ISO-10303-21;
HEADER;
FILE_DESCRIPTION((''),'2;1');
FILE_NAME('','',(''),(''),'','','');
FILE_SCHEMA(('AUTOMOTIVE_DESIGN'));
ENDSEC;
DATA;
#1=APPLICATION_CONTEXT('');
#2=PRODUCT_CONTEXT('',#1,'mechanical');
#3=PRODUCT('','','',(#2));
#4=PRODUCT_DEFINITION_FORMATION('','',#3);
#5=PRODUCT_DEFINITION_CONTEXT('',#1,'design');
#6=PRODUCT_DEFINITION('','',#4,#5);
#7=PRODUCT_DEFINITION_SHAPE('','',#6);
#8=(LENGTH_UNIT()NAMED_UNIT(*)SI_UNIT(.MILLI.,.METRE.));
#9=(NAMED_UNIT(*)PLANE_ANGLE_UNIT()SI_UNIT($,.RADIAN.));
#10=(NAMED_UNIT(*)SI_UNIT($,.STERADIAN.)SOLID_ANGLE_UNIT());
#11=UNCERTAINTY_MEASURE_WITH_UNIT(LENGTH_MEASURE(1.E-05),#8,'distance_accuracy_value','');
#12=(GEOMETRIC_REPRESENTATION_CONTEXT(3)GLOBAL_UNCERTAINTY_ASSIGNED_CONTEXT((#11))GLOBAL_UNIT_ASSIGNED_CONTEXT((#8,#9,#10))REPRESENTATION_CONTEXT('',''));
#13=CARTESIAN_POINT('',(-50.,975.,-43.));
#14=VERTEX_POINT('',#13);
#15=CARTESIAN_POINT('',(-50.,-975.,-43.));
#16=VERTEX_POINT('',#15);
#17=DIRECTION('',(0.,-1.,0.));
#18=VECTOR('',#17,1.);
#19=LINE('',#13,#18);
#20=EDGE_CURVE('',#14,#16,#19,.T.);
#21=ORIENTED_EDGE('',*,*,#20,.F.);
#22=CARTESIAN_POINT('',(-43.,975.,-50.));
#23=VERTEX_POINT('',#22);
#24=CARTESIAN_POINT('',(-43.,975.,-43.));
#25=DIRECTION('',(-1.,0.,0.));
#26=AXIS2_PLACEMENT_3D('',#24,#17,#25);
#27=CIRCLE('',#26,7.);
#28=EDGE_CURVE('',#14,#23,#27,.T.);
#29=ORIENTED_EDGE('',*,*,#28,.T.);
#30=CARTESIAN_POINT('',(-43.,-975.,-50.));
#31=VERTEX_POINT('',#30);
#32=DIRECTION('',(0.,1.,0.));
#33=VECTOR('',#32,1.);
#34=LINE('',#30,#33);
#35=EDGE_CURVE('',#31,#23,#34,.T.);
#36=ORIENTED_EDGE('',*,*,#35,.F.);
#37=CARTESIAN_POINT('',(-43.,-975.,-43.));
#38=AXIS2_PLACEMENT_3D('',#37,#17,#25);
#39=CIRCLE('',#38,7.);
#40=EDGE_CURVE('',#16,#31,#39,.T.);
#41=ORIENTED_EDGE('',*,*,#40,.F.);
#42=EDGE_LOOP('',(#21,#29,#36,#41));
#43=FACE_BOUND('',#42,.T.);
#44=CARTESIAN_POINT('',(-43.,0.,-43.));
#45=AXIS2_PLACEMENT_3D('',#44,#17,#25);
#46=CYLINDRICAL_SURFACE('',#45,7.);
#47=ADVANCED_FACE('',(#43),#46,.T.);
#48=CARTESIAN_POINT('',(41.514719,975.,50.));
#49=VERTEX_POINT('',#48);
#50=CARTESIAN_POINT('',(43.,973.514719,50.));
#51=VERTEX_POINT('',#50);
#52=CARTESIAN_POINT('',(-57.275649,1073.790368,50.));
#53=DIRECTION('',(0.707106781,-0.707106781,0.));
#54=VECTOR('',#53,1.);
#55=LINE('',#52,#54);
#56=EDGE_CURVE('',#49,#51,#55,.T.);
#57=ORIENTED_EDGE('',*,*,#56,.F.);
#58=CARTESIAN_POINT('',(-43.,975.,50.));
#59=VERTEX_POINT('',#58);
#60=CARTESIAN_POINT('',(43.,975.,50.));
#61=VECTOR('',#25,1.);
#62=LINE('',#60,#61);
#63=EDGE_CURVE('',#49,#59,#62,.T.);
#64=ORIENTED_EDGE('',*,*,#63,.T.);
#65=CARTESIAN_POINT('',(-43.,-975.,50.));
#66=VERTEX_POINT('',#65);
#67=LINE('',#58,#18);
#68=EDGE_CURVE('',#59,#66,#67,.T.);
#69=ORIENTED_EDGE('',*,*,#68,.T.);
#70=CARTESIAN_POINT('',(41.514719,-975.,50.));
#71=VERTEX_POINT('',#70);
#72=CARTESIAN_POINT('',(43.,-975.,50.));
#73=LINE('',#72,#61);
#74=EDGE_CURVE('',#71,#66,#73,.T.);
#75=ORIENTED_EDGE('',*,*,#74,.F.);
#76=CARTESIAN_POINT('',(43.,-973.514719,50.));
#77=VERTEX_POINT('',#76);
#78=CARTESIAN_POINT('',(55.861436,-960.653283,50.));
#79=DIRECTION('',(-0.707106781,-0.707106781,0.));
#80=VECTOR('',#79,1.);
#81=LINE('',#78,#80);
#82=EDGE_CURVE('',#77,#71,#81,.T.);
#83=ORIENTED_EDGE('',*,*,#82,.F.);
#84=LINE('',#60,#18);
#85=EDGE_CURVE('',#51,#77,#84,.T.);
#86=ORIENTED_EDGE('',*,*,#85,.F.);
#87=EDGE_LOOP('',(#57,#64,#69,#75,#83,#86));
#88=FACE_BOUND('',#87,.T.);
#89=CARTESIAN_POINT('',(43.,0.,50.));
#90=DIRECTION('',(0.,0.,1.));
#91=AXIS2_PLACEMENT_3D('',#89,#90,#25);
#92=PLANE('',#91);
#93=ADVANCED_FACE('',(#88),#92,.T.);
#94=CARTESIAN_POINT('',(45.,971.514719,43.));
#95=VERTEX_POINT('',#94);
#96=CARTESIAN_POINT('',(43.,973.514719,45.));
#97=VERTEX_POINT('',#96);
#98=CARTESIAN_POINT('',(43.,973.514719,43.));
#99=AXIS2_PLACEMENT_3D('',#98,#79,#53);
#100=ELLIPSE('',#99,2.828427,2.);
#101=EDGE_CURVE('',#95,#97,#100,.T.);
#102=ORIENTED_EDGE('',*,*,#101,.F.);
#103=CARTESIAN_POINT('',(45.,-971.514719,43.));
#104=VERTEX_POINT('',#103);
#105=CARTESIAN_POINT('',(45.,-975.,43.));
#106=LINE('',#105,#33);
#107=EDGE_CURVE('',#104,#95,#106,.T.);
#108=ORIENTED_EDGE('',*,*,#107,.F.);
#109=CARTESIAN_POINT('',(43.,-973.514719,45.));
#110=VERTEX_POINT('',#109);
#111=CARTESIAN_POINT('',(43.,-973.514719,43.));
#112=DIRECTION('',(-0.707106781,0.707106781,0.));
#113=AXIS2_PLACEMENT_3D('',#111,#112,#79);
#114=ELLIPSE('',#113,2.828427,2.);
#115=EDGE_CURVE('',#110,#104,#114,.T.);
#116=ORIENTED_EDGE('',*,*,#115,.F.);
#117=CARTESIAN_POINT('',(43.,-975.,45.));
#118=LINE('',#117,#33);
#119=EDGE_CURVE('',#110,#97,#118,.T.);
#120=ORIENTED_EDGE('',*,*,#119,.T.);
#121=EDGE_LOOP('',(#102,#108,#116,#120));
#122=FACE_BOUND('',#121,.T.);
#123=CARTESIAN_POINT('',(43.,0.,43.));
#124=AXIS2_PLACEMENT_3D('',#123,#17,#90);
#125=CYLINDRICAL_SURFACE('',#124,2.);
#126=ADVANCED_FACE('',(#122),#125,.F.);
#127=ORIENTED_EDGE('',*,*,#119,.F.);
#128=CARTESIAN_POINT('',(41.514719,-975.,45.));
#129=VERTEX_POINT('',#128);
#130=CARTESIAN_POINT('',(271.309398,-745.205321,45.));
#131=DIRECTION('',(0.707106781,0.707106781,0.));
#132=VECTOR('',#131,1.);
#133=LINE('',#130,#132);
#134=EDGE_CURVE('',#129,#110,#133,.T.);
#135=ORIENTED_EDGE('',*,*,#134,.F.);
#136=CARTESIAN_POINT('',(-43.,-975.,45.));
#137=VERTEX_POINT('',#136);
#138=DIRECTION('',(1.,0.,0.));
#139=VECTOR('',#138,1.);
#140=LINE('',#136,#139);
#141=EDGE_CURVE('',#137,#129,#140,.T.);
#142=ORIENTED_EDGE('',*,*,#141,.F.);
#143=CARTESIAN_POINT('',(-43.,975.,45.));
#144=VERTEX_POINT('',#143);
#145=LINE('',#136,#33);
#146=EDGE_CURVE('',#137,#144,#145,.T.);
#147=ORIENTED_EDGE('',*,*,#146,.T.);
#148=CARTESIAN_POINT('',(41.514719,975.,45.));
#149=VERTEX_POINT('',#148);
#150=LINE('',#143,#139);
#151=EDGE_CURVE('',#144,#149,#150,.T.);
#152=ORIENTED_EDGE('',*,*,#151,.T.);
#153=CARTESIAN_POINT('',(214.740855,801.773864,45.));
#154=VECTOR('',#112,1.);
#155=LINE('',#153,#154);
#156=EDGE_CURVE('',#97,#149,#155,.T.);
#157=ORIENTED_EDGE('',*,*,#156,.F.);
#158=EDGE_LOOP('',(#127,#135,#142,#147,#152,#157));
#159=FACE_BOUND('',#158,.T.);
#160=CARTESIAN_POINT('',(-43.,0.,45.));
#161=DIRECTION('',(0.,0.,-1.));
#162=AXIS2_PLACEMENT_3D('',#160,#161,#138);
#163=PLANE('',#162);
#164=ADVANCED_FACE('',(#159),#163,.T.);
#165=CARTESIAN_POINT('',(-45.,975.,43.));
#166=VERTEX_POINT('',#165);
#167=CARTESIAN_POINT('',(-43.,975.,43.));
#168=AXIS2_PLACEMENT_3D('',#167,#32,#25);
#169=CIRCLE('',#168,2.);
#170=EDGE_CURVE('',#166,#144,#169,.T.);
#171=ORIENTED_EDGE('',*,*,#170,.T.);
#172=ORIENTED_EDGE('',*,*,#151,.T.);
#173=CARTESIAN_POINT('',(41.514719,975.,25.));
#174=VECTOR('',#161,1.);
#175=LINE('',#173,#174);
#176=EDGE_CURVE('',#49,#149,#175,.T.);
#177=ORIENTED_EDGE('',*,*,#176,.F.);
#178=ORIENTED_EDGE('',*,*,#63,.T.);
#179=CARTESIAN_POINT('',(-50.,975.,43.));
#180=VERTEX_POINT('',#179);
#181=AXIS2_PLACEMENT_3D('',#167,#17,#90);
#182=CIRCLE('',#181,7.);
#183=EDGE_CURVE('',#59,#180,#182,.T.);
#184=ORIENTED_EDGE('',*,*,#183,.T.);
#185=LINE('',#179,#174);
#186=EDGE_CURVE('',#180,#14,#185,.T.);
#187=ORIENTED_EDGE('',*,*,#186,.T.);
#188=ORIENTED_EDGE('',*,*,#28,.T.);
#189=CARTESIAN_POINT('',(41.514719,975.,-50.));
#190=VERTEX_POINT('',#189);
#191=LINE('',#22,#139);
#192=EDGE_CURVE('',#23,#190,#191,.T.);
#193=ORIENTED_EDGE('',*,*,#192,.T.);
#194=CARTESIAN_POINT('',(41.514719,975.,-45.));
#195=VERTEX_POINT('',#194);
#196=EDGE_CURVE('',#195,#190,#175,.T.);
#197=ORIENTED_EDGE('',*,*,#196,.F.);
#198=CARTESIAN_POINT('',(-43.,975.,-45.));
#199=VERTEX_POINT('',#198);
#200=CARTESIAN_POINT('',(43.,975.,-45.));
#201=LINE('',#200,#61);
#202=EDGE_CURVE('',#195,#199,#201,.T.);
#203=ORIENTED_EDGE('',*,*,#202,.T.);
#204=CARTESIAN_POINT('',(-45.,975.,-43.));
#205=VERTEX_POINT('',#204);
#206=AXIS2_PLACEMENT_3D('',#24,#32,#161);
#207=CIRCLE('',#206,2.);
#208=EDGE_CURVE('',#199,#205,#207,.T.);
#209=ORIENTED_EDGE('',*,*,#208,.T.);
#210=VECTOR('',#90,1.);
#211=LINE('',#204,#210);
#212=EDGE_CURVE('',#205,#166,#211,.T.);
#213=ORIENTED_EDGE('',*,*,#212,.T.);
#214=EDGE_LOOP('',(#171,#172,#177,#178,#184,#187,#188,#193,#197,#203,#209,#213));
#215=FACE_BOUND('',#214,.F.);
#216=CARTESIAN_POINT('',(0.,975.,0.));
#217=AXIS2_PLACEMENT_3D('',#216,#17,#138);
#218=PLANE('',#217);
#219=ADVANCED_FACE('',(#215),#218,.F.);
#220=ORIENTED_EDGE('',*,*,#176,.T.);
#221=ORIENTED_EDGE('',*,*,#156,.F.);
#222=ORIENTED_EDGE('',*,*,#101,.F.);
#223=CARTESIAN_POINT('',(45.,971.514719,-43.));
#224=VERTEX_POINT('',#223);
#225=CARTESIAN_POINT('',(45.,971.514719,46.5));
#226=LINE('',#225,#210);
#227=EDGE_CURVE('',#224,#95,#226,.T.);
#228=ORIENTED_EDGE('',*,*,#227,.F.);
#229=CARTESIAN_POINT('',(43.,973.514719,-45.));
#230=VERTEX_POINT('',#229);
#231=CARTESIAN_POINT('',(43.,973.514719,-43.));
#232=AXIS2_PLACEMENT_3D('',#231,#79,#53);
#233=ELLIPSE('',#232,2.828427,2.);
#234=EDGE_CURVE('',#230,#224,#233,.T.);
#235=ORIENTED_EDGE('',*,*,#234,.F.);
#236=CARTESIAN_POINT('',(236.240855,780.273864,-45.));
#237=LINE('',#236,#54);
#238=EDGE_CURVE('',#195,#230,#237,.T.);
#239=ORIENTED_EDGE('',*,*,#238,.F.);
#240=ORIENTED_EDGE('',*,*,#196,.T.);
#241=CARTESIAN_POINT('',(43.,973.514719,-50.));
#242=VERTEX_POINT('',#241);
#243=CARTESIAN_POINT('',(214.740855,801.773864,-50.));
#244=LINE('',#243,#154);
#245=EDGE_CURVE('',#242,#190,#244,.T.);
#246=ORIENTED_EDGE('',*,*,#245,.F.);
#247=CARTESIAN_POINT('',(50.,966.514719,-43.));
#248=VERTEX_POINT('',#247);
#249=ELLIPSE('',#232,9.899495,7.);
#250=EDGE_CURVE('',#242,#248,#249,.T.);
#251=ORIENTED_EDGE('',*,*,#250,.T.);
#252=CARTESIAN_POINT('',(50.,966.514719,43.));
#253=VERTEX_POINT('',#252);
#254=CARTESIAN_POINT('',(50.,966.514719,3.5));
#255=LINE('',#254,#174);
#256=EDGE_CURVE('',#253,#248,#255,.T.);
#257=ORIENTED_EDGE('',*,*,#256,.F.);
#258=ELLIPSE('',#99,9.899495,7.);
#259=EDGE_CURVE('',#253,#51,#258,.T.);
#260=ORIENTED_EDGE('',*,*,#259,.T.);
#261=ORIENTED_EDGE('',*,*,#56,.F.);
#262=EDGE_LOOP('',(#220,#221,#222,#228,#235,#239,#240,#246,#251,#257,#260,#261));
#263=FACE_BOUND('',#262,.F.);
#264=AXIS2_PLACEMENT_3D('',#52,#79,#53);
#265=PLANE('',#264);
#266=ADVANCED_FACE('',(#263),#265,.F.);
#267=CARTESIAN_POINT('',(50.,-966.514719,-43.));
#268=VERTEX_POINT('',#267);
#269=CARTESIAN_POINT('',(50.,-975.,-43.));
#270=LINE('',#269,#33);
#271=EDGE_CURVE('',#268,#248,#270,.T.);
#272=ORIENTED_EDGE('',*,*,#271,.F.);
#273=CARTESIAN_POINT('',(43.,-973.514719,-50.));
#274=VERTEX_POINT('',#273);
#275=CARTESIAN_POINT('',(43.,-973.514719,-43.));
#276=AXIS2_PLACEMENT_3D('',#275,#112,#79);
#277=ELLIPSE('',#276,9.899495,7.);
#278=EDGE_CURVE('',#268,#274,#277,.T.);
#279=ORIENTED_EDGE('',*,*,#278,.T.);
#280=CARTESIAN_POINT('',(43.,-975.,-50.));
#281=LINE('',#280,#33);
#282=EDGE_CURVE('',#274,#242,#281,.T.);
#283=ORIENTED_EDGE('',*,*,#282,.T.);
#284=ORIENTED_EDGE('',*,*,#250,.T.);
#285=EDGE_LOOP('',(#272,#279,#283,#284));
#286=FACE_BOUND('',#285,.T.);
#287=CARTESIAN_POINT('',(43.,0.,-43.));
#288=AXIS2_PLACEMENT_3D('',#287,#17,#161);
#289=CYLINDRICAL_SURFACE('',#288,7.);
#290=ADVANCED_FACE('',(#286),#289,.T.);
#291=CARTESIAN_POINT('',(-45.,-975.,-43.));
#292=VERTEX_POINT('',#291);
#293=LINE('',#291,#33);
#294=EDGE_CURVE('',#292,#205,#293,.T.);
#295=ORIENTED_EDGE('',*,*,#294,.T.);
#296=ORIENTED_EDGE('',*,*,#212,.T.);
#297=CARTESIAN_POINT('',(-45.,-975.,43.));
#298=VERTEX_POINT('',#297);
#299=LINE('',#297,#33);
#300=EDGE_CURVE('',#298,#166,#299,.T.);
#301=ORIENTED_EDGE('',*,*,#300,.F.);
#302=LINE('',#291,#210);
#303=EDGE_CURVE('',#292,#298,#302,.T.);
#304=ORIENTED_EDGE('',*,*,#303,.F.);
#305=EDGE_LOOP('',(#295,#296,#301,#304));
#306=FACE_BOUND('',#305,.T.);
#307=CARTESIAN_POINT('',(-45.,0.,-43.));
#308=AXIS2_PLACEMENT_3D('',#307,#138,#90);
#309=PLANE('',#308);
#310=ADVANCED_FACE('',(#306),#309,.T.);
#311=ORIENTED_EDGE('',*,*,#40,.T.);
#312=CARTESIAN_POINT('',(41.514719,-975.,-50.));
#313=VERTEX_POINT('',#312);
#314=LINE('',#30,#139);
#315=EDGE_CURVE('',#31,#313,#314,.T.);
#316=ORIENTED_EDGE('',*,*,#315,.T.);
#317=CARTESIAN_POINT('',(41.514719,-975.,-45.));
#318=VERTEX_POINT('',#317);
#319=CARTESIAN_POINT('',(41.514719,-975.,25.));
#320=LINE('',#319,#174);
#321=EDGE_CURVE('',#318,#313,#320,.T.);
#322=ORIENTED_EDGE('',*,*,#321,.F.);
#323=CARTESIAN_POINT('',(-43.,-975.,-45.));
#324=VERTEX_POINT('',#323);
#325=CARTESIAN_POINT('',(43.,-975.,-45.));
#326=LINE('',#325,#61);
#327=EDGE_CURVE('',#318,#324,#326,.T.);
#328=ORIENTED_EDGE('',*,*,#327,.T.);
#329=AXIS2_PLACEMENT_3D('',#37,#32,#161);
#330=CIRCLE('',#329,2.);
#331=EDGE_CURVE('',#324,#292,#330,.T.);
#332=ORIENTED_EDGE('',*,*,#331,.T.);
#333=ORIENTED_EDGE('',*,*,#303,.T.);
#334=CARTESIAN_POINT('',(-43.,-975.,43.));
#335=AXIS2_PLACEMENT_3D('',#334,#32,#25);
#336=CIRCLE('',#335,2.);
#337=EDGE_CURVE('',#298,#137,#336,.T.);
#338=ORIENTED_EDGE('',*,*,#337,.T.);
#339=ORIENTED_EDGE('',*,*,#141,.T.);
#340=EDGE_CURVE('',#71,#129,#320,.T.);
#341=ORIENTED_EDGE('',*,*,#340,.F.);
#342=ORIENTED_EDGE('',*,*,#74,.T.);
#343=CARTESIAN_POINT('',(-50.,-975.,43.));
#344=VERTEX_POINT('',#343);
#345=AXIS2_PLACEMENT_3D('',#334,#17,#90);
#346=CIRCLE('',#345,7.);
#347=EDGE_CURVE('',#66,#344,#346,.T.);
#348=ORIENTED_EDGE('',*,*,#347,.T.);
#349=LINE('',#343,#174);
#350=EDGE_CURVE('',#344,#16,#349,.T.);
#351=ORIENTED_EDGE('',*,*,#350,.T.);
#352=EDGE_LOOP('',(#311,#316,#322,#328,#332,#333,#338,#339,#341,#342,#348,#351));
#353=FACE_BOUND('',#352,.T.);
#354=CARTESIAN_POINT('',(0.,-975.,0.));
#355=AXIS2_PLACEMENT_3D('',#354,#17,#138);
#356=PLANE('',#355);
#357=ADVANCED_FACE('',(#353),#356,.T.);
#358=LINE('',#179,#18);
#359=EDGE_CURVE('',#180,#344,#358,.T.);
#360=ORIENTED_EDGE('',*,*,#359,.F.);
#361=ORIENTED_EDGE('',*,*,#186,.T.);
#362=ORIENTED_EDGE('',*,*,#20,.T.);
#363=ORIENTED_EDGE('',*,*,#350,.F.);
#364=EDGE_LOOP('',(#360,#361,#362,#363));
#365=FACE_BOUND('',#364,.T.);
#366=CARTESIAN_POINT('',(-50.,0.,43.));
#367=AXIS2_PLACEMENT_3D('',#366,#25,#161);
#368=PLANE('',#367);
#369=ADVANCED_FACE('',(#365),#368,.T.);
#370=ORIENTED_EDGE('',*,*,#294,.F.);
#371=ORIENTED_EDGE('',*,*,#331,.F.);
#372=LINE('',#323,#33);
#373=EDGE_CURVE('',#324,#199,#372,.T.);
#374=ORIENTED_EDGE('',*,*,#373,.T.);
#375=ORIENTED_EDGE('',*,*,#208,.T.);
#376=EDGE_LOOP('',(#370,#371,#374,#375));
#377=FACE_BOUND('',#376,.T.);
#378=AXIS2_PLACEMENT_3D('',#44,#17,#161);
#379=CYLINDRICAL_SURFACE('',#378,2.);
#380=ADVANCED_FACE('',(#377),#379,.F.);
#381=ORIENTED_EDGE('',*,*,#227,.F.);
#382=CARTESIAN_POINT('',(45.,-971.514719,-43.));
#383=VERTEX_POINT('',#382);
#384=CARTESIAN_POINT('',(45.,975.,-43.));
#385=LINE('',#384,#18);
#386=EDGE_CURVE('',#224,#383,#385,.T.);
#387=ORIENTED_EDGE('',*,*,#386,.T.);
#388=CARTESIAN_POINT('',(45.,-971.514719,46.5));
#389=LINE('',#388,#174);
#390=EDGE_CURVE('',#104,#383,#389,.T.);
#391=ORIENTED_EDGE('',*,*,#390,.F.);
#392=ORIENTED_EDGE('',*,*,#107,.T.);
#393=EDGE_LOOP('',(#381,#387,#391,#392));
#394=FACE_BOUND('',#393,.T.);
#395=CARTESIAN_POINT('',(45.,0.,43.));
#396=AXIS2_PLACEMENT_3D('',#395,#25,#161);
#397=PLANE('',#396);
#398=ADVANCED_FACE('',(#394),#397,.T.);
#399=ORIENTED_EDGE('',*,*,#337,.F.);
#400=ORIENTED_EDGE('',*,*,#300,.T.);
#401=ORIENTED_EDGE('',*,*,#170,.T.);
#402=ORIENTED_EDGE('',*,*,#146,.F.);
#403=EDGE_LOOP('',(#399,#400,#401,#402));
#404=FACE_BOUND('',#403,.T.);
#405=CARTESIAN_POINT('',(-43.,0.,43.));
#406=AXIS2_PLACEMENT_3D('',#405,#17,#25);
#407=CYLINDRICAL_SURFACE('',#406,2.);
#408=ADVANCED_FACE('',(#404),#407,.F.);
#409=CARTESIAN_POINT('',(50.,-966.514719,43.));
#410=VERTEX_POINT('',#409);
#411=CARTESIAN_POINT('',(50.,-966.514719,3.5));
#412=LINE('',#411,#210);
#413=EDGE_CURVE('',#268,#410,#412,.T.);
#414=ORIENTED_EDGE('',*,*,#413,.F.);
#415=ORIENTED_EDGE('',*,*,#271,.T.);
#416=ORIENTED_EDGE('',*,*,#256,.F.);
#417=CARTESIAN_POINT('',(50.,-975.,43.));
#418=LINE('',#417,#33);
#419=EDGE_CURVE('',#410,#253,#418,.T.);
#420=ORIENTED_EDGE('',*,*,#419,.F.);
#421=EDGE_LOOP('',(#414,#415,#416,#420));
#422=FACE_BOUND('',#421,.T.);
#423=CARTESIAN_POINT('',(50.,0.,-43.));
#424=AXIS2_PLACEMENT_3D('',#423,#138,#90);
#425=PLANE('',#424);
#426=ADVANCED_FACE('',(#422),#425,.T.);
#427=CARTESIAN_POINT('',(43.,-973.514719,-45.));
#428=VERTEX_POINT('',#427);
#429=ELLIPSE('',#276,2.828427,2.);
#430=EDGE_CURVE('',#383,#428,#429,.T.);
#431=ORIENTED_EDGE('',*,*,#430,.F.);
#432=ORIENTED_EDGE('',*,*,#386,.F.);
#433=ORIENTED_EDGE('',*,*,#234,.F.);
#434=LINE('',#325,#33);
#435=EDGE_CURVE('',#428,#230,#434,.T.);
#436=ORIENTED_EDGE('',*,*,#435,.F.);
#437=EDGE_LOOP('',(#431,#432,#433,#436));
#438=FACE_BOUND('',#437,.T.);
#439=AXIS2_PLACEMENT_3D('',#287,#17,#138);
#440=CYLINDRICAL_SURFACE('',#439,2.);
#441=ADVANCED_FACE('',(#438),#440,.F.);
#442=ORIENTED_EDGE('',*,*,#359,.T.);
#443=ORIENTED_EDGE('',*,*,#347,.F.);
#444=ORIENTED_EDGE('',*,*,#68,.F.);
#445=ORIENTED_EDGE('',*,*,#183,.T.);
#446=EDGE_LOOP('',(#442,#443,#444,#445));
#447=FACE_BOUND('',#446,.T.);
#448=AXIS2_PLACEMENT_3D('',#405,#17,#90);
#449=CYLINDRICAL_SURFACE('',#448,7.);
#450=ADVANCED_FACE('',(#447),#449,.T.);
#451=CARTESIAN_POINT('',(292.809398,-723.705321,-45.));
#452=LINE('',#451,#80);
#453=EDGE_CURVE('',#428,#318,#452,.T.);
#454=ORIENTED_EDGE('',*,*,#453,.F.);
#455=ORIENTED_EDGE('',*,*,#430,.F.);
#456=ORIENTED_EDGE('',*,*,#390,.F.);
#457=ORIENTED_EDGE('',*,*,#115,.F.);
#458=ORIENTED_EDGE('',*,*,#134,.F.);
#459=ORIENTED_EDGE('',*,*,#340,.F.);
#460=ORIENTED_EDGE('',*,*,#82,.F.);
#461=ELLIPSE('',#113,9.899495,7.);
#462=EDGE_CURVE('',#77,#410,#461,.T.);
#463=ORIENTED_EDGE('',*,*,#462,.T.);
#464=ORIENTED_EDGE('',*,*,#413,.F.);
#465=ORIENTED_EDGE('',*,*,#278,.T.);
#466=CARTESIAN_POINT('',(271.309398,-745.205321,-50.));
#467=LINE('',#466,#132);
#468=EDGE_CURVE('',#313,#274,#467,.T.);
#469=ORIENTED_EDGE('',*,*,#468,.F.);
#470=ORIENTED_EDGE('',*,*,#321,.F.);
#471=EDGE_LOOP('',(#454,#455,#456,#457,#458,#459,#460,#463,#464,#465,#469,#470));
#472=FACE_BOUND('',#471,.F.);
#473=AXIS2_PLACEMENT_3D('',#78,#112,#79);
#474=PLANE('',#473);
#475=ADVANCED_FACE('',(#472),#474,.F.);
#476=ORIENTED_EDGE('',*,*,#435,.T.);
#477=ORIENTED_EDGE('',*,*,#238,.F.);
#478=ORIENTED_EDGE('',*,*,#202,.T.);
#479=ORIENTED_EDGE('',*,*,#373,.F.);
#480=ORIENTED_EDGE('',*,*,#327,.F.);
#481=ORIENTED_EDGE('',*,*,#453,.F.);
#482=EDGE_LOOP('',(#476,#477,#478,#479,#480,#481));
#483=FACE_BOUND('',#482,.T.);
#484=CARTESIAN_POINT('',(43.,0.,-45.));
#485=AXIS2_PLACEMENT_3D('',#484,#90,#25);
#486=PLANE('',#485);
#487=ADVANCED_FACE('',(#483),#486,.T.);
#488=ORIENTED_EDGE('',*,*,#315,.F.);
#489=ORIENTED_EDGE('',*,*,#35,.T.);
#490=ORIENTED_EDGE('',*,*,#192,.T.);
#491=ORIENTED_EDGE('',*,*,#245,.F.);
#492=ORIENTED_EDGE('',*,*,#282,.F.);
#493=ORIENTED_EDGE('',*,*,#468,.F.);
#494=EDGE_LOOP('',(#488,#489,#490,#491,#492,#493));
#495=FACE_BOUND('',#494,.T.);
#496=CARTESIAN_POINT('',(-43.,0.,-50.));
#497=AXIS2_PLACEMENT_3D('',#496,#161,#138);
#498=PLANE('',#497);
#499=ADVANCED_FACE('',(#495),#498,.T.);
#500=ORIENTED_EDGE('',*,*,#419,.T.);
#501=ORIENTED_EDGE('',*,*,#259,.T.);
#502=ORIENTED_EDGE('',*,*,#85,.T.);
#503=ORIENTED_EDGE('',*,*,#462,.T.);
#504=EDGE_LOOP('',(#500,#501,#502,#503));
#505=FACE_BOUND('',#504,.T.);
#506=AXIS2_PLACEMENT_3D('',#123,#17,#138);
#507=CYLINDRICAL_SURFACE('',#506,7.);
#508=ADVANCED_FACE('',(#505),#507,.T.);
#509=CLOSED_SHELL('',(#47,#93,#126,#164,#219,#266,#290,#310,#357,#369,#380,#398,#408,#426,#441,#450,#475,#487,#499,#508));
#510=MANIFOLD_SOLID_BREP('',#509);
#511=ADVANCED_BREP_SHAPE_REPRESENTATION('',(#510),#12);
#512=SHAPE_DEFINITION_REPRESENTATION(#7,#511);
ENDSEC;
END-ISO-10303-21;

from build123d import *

# Parameters (mm, degrees)
F1_DEPTH = 975
F3_DEPTH = 100.001


with BuildPart() as f1:
    # F0 (on Front) → F1 (new body, symmetric)
    with BuildSketch(Plane.XZ):
        with BuildLine():
            ThreePointArc((50, 43), (47.9497474683, 47.9497474683), (43, 50))
            Line((43, 50), (-43, 50))
            ThreePointArc((-43, 50), (-47.9497474683, 47.9497474683), (-50, 43))
            Line((-50, 43), (-50, -43))
            ThreePointArc((-50, -43), (-47.9497474683, -47.9497474683), (-43, -50))
            Line((-43, -50), (43, -50))
            ThreePointArc((43, -50), (47.9497474683, -47.9497474683), (50, -43))
            Line((50, -43), (50, 43))
        make_face()
        with BuildLine():
            ThreePointArc((45, -43), (44.4142135624, -44.4142135624), (43, -45))
            Line((43, -45), (-43, -45))
            ThreePointArc((-43, -45), (-44.4142135624, -44.4142135624), (-45, -43))
            Line((-45, -43), (-45, 43))
            ThreePointArc((-45, 43), (-44.4142135624, 44.4142135624), (-43, 45))
            Line((-43, 45), (43, 45))
            ThreePointArc((43, 45), (44.4142135624, 44.4142135624), (45, 43))
            Line((45, 43), (45, -43))
        make_face(mode=Mode.SUBTRACT)
    extrude(amount=F1_DEPTH, both=True)

    # F2 (on face) → F3 (cut, through all)
    with BuildSketch(Plane.XY.offset(50)):
        Polygon((55.8614357137, -960.653282912), (-57.2756492761, -1073.7903679019), (-48.7903679019, -1082.2756492761), (64.346717088, -969.1385642863), align=None)
        Polygon((-48.7903679019, 1082.2756492761), (-57.2756492761, 1073.7903679019), (55.8614357137, 960.653282912), (64.346717088, 969.1385642863), align=None)
    extrude(amount=-F3_DEPTH, mode=Mode.SUBTRACT)


solid = f1.part
